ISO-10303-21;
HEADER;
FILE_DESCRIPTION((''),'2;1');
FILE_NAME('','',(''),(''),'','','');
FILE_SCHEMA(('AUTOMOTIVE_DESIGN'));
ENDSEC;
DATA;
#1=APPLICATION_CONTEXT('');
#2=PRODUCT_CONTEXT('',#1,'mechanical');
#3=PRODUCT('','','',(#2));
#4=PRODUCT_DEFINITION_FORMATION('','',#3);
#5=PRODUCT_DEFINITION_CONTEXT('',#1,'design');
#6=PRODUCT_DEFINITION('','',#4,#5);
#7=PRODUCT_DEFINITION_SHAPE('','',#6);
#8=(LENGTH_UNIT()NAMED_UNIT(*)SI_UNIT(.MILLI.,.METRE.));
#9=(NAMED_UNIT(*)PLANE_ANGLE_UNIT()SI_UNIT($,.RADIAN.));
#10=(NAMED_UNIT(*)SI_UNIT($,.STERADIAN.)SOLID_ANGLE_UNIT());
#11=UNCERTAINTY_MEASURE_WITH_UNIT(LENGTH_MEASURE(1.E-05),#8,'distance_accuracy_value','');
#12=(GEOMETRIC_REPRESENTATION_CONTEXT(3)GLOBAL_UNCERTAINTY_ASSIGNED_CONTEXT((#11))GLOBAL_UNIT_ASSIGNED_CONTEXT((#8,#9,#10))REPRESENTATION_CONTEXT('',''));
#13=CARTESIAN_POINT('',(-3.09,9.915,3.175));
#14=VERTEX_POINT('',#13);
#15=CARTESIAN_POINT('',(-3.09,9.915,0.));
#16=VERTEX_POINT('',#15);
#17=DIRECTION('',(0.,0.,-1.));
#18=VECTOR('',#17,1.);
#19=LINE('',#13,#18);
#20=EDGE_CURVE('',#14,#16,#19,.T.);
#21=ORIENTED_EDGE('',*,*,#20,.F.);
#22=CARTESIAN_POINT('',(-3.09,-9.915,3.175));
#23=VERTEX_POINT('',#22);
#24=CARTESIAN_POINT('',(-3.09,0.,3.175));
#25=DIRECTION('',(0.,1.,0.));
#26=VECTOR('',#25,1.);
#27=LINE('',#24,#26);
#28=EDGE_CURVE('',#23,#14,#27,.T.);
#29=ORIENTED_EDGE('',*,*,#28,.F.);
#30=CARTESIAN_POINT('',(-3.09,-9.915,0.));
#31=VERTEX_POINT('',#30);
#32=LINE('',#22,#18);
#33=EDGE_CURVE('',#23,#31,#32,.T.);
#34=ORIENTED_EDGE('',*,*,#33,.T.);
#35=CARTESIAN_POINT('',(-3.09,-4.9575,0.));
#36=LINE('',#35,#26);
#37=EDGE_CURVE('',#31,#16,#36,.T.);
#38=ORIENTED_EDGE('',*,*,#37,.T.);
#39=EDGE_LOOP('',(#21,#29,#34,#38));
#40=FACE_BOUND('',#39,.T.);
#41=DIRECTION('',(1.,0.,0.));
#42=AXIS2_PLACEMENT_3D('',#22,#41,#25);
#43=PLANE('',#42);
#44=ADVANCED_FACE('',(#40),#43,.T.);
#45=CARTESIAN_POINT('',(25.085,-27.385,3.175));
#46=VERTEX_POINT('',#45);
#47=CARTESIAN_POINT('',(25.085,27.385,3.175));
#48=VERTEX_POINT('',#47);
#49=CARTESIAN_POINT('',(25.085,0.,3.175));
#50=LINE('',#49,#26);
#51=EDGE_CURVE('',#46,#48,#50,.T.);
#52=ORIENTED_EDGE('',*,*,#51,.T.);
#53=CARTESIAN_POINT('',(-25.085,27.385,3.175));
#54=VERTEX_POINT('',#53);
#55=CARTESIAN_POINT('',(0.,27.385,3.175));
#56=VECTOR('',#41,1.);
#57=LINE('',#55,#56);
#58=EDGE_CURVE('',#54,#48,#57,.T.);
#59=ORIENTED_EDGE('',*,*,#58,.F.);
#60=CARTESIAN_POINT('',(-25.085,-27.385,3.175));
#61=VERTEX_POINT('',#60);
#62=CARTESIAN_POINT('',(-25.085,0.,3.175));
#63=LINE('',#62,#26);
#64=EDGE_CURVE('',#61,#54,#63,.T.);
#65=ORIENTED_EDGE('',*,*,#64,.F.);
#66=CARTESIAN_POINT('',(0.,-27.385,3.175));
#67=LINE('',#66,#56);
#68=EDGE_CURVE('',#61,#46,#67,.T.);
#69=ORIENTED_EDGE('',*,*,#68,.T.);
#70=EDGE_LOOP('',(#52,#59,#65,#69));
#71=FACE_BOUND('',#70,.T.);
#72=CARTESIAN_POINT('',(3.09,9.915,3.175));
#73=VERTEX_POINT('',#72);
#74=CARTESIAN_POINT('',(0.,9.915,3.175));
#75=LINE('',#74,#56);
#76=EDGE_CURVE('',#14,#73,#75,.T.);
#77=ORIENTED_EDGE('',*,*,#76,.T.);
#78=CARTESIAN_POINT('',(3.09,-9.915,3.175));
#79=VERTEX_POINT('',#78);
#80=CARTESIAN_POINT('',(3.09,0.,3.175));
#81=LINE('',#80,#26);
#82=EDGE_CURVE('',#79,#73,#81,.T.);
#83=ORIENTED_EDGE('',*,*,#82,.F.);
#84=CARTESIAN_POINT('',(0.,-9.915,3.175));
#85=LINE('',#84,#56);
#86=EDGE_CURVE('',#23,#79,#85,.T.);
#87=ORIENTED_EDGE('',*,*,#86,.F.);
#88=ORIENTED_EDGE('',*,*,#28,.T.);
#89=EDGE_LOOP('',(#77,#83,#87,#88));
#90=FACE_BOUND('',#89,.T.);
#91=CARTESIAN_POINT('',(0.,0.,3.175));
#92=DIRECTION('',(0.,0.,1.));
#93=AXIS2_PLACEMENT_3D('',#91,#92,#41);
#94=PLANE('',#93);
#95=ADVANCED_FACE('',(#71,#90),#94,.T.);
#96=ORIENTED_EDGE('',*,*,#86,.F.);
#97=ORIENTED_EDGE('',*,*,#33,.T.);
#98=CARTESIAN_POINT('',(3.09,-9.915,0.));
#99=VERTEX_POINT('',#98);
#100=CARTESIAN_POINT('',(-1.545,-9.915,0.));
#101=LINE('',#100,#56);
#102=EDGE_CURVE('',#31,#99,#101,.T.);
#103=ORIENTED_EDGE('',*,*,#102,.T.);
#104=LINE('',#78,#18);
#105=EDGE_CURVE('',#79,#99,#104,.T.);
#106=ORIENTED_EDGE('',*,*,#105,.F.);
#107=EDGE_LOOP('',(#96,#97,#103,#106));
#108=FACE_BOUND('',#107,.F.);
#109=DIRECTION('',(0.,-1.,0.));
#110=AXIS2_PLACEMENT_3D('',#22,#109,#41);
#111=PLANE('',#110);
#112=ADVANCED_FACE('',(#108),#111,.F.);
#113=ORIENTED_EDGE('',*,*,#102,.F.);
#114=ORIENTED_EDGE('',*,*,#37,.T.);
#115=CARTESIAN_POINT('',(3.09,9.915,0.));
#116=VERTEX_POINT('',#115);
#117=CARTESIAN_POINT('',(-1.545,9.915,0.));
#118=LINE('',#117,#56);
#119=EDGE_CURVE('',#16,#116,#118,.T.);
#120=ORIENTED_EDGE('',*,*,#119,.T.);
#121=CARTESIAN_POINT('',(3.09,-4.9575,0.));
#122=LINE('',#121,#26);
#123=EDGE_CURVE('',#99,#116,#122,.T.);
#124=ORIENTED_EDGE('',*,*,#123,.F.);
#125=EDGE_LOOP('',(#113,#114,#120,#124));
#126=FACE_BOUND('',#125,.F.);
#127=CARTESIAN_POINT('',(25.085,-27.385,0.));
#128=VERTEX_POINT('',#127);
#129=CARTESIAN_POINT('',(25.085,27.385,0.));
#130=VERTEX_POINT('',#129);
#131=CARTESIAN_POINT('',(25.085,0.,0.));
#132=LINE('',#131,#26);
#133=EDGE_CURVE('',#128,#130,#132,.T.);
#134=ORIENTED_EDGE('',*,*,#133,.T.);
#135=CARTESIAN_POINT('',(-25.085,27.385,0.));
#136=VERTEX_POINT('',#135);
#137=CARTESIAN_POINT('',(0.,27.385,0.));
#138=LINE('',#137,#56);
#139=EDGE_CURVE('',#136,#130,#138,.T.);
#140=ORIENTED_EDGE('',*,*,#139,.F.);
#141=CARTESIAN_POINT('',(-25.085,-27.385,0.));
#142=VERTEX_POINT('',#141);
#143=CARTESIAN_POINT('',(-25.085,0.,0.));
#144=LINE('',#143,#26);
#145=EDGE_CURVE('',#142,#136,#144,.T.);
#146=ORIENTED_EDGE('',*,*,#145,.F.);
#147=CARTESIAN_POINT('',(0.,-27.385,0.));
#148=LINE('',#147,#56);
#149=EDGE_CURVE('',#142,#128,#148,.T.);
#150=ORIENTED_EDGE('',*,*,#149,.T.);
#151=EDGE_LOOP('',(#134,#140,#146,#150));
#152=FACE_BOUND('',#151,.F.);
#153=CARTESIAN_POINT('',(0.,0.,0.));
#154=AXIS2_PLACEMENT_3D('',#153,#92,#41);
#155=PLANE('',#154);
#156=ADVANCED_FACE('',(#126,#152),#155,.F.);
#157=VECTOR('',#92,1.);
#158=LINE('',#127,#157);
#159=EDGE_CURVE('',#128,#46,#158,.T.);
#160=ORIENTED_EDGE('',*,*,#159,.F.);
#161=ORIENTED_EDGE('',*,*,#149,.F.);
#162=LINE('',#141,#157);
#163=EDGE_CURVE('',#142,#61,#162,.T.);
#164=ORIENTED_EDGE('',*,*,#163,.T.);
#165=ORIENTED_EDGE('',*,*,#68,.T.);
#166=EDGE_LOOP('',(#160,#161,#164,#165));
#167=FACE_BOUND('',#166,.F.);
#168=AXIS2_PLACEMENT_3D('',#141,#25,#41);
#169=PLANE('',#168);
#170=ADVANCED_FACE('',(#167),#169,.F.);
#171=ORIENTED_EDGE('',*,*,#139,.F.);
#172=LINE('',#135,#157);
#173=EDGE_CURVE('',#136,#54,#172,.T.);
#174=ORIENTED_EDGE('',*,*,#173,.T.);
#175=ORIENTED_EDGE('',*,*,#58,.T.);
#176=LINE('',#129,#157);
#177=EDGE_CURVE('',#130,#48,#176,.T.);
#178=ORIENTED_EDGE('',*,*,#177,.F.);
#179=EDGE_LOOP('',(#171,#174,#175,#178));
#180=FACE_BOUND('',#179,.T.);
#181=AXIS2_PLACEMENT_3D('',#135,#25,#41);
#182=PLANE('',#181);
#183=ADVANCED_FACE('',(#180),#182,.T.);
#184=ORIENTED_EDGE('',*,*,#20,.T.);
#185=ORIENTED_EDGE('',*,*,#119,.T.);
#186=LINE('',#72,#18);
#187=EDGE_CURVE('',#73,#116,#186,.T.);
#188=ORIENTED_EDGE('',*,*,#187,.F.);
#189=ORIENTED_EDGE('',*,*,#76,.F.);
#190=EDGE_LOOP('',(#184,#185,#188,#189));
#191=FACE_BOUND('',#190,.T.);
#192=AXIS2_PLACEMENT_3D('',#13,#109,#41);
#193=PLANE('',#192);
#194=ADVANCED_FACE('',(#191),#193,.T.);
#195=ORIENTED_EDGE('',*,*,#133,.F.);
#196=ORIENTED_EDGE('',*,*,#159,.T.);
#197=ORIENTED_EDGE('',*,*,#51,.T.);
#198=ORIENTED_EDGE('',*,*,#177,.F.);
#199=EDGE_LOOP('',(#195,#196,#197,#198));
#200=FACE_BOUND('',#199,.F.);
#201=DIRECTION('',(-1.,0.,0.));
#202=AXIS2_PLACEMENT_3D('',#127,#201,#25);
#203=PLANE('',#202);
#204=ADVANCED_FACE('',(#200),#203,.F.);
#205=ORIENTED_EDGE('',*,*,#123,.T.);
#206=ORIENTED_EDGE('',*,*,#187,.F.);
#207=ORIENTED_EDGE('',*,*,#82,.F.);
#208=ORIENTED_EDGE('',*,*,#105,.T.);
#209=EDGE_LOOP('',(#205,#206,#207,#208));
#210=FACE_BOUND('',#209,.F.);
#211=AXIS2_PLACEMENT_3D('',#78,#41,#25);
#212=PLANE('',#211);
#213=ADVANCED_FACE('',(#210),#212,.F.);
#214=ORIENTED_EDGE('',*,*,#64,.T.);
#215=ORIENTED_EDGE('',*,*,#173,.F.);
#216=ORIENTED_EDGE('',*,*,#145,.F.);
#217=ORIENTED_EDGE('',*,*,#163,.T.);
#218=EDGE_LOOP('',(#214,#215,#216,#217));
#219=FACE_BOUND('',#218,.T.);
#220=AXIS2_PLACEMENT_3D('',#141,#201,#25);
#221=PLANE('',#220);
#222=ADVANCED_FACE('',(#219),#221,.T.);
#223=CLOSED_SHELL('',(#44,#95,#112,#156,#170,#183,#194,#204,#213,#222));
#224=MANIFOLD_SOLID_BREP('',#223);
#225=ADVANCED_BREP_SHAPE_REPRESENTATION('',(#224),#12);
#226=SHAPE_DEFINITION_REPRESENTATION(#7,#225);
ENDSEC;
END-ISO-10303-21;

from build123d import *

# Parameters (mm, degrees)
SKETCH1_W           = 50.17
SKETCH1_H           = 54.77
BOSS_EXTRUDE1_DEPTH = 3.175
SKETCH3_W           = 6.18
SKETCH3_H           = 19.83
CUT_EXTRUDE2_DEPTH  = 4.175


with BuildPart() as part:
    # Sketch1 → Boss-Extrude1 (new body)
    with BuildSketch(Plane.XY):
        Rectangle(SKETCH1_W, SKETCH1_H)
    extrude(amount=BOSS_EXTRUDE1_DEPTH)

    # Sketch3 → Cut-Extrude2 (cut, through all)
    with BuildSketch(Plane.XY.offset(3.175)):
        Rectangle(SKETCH3_W, SKETCH3_H)
    extrude(amount=-CUT_EXTRUDE2_DEPTH, mode=Mode.SUBTRACT)


solid = part.part
